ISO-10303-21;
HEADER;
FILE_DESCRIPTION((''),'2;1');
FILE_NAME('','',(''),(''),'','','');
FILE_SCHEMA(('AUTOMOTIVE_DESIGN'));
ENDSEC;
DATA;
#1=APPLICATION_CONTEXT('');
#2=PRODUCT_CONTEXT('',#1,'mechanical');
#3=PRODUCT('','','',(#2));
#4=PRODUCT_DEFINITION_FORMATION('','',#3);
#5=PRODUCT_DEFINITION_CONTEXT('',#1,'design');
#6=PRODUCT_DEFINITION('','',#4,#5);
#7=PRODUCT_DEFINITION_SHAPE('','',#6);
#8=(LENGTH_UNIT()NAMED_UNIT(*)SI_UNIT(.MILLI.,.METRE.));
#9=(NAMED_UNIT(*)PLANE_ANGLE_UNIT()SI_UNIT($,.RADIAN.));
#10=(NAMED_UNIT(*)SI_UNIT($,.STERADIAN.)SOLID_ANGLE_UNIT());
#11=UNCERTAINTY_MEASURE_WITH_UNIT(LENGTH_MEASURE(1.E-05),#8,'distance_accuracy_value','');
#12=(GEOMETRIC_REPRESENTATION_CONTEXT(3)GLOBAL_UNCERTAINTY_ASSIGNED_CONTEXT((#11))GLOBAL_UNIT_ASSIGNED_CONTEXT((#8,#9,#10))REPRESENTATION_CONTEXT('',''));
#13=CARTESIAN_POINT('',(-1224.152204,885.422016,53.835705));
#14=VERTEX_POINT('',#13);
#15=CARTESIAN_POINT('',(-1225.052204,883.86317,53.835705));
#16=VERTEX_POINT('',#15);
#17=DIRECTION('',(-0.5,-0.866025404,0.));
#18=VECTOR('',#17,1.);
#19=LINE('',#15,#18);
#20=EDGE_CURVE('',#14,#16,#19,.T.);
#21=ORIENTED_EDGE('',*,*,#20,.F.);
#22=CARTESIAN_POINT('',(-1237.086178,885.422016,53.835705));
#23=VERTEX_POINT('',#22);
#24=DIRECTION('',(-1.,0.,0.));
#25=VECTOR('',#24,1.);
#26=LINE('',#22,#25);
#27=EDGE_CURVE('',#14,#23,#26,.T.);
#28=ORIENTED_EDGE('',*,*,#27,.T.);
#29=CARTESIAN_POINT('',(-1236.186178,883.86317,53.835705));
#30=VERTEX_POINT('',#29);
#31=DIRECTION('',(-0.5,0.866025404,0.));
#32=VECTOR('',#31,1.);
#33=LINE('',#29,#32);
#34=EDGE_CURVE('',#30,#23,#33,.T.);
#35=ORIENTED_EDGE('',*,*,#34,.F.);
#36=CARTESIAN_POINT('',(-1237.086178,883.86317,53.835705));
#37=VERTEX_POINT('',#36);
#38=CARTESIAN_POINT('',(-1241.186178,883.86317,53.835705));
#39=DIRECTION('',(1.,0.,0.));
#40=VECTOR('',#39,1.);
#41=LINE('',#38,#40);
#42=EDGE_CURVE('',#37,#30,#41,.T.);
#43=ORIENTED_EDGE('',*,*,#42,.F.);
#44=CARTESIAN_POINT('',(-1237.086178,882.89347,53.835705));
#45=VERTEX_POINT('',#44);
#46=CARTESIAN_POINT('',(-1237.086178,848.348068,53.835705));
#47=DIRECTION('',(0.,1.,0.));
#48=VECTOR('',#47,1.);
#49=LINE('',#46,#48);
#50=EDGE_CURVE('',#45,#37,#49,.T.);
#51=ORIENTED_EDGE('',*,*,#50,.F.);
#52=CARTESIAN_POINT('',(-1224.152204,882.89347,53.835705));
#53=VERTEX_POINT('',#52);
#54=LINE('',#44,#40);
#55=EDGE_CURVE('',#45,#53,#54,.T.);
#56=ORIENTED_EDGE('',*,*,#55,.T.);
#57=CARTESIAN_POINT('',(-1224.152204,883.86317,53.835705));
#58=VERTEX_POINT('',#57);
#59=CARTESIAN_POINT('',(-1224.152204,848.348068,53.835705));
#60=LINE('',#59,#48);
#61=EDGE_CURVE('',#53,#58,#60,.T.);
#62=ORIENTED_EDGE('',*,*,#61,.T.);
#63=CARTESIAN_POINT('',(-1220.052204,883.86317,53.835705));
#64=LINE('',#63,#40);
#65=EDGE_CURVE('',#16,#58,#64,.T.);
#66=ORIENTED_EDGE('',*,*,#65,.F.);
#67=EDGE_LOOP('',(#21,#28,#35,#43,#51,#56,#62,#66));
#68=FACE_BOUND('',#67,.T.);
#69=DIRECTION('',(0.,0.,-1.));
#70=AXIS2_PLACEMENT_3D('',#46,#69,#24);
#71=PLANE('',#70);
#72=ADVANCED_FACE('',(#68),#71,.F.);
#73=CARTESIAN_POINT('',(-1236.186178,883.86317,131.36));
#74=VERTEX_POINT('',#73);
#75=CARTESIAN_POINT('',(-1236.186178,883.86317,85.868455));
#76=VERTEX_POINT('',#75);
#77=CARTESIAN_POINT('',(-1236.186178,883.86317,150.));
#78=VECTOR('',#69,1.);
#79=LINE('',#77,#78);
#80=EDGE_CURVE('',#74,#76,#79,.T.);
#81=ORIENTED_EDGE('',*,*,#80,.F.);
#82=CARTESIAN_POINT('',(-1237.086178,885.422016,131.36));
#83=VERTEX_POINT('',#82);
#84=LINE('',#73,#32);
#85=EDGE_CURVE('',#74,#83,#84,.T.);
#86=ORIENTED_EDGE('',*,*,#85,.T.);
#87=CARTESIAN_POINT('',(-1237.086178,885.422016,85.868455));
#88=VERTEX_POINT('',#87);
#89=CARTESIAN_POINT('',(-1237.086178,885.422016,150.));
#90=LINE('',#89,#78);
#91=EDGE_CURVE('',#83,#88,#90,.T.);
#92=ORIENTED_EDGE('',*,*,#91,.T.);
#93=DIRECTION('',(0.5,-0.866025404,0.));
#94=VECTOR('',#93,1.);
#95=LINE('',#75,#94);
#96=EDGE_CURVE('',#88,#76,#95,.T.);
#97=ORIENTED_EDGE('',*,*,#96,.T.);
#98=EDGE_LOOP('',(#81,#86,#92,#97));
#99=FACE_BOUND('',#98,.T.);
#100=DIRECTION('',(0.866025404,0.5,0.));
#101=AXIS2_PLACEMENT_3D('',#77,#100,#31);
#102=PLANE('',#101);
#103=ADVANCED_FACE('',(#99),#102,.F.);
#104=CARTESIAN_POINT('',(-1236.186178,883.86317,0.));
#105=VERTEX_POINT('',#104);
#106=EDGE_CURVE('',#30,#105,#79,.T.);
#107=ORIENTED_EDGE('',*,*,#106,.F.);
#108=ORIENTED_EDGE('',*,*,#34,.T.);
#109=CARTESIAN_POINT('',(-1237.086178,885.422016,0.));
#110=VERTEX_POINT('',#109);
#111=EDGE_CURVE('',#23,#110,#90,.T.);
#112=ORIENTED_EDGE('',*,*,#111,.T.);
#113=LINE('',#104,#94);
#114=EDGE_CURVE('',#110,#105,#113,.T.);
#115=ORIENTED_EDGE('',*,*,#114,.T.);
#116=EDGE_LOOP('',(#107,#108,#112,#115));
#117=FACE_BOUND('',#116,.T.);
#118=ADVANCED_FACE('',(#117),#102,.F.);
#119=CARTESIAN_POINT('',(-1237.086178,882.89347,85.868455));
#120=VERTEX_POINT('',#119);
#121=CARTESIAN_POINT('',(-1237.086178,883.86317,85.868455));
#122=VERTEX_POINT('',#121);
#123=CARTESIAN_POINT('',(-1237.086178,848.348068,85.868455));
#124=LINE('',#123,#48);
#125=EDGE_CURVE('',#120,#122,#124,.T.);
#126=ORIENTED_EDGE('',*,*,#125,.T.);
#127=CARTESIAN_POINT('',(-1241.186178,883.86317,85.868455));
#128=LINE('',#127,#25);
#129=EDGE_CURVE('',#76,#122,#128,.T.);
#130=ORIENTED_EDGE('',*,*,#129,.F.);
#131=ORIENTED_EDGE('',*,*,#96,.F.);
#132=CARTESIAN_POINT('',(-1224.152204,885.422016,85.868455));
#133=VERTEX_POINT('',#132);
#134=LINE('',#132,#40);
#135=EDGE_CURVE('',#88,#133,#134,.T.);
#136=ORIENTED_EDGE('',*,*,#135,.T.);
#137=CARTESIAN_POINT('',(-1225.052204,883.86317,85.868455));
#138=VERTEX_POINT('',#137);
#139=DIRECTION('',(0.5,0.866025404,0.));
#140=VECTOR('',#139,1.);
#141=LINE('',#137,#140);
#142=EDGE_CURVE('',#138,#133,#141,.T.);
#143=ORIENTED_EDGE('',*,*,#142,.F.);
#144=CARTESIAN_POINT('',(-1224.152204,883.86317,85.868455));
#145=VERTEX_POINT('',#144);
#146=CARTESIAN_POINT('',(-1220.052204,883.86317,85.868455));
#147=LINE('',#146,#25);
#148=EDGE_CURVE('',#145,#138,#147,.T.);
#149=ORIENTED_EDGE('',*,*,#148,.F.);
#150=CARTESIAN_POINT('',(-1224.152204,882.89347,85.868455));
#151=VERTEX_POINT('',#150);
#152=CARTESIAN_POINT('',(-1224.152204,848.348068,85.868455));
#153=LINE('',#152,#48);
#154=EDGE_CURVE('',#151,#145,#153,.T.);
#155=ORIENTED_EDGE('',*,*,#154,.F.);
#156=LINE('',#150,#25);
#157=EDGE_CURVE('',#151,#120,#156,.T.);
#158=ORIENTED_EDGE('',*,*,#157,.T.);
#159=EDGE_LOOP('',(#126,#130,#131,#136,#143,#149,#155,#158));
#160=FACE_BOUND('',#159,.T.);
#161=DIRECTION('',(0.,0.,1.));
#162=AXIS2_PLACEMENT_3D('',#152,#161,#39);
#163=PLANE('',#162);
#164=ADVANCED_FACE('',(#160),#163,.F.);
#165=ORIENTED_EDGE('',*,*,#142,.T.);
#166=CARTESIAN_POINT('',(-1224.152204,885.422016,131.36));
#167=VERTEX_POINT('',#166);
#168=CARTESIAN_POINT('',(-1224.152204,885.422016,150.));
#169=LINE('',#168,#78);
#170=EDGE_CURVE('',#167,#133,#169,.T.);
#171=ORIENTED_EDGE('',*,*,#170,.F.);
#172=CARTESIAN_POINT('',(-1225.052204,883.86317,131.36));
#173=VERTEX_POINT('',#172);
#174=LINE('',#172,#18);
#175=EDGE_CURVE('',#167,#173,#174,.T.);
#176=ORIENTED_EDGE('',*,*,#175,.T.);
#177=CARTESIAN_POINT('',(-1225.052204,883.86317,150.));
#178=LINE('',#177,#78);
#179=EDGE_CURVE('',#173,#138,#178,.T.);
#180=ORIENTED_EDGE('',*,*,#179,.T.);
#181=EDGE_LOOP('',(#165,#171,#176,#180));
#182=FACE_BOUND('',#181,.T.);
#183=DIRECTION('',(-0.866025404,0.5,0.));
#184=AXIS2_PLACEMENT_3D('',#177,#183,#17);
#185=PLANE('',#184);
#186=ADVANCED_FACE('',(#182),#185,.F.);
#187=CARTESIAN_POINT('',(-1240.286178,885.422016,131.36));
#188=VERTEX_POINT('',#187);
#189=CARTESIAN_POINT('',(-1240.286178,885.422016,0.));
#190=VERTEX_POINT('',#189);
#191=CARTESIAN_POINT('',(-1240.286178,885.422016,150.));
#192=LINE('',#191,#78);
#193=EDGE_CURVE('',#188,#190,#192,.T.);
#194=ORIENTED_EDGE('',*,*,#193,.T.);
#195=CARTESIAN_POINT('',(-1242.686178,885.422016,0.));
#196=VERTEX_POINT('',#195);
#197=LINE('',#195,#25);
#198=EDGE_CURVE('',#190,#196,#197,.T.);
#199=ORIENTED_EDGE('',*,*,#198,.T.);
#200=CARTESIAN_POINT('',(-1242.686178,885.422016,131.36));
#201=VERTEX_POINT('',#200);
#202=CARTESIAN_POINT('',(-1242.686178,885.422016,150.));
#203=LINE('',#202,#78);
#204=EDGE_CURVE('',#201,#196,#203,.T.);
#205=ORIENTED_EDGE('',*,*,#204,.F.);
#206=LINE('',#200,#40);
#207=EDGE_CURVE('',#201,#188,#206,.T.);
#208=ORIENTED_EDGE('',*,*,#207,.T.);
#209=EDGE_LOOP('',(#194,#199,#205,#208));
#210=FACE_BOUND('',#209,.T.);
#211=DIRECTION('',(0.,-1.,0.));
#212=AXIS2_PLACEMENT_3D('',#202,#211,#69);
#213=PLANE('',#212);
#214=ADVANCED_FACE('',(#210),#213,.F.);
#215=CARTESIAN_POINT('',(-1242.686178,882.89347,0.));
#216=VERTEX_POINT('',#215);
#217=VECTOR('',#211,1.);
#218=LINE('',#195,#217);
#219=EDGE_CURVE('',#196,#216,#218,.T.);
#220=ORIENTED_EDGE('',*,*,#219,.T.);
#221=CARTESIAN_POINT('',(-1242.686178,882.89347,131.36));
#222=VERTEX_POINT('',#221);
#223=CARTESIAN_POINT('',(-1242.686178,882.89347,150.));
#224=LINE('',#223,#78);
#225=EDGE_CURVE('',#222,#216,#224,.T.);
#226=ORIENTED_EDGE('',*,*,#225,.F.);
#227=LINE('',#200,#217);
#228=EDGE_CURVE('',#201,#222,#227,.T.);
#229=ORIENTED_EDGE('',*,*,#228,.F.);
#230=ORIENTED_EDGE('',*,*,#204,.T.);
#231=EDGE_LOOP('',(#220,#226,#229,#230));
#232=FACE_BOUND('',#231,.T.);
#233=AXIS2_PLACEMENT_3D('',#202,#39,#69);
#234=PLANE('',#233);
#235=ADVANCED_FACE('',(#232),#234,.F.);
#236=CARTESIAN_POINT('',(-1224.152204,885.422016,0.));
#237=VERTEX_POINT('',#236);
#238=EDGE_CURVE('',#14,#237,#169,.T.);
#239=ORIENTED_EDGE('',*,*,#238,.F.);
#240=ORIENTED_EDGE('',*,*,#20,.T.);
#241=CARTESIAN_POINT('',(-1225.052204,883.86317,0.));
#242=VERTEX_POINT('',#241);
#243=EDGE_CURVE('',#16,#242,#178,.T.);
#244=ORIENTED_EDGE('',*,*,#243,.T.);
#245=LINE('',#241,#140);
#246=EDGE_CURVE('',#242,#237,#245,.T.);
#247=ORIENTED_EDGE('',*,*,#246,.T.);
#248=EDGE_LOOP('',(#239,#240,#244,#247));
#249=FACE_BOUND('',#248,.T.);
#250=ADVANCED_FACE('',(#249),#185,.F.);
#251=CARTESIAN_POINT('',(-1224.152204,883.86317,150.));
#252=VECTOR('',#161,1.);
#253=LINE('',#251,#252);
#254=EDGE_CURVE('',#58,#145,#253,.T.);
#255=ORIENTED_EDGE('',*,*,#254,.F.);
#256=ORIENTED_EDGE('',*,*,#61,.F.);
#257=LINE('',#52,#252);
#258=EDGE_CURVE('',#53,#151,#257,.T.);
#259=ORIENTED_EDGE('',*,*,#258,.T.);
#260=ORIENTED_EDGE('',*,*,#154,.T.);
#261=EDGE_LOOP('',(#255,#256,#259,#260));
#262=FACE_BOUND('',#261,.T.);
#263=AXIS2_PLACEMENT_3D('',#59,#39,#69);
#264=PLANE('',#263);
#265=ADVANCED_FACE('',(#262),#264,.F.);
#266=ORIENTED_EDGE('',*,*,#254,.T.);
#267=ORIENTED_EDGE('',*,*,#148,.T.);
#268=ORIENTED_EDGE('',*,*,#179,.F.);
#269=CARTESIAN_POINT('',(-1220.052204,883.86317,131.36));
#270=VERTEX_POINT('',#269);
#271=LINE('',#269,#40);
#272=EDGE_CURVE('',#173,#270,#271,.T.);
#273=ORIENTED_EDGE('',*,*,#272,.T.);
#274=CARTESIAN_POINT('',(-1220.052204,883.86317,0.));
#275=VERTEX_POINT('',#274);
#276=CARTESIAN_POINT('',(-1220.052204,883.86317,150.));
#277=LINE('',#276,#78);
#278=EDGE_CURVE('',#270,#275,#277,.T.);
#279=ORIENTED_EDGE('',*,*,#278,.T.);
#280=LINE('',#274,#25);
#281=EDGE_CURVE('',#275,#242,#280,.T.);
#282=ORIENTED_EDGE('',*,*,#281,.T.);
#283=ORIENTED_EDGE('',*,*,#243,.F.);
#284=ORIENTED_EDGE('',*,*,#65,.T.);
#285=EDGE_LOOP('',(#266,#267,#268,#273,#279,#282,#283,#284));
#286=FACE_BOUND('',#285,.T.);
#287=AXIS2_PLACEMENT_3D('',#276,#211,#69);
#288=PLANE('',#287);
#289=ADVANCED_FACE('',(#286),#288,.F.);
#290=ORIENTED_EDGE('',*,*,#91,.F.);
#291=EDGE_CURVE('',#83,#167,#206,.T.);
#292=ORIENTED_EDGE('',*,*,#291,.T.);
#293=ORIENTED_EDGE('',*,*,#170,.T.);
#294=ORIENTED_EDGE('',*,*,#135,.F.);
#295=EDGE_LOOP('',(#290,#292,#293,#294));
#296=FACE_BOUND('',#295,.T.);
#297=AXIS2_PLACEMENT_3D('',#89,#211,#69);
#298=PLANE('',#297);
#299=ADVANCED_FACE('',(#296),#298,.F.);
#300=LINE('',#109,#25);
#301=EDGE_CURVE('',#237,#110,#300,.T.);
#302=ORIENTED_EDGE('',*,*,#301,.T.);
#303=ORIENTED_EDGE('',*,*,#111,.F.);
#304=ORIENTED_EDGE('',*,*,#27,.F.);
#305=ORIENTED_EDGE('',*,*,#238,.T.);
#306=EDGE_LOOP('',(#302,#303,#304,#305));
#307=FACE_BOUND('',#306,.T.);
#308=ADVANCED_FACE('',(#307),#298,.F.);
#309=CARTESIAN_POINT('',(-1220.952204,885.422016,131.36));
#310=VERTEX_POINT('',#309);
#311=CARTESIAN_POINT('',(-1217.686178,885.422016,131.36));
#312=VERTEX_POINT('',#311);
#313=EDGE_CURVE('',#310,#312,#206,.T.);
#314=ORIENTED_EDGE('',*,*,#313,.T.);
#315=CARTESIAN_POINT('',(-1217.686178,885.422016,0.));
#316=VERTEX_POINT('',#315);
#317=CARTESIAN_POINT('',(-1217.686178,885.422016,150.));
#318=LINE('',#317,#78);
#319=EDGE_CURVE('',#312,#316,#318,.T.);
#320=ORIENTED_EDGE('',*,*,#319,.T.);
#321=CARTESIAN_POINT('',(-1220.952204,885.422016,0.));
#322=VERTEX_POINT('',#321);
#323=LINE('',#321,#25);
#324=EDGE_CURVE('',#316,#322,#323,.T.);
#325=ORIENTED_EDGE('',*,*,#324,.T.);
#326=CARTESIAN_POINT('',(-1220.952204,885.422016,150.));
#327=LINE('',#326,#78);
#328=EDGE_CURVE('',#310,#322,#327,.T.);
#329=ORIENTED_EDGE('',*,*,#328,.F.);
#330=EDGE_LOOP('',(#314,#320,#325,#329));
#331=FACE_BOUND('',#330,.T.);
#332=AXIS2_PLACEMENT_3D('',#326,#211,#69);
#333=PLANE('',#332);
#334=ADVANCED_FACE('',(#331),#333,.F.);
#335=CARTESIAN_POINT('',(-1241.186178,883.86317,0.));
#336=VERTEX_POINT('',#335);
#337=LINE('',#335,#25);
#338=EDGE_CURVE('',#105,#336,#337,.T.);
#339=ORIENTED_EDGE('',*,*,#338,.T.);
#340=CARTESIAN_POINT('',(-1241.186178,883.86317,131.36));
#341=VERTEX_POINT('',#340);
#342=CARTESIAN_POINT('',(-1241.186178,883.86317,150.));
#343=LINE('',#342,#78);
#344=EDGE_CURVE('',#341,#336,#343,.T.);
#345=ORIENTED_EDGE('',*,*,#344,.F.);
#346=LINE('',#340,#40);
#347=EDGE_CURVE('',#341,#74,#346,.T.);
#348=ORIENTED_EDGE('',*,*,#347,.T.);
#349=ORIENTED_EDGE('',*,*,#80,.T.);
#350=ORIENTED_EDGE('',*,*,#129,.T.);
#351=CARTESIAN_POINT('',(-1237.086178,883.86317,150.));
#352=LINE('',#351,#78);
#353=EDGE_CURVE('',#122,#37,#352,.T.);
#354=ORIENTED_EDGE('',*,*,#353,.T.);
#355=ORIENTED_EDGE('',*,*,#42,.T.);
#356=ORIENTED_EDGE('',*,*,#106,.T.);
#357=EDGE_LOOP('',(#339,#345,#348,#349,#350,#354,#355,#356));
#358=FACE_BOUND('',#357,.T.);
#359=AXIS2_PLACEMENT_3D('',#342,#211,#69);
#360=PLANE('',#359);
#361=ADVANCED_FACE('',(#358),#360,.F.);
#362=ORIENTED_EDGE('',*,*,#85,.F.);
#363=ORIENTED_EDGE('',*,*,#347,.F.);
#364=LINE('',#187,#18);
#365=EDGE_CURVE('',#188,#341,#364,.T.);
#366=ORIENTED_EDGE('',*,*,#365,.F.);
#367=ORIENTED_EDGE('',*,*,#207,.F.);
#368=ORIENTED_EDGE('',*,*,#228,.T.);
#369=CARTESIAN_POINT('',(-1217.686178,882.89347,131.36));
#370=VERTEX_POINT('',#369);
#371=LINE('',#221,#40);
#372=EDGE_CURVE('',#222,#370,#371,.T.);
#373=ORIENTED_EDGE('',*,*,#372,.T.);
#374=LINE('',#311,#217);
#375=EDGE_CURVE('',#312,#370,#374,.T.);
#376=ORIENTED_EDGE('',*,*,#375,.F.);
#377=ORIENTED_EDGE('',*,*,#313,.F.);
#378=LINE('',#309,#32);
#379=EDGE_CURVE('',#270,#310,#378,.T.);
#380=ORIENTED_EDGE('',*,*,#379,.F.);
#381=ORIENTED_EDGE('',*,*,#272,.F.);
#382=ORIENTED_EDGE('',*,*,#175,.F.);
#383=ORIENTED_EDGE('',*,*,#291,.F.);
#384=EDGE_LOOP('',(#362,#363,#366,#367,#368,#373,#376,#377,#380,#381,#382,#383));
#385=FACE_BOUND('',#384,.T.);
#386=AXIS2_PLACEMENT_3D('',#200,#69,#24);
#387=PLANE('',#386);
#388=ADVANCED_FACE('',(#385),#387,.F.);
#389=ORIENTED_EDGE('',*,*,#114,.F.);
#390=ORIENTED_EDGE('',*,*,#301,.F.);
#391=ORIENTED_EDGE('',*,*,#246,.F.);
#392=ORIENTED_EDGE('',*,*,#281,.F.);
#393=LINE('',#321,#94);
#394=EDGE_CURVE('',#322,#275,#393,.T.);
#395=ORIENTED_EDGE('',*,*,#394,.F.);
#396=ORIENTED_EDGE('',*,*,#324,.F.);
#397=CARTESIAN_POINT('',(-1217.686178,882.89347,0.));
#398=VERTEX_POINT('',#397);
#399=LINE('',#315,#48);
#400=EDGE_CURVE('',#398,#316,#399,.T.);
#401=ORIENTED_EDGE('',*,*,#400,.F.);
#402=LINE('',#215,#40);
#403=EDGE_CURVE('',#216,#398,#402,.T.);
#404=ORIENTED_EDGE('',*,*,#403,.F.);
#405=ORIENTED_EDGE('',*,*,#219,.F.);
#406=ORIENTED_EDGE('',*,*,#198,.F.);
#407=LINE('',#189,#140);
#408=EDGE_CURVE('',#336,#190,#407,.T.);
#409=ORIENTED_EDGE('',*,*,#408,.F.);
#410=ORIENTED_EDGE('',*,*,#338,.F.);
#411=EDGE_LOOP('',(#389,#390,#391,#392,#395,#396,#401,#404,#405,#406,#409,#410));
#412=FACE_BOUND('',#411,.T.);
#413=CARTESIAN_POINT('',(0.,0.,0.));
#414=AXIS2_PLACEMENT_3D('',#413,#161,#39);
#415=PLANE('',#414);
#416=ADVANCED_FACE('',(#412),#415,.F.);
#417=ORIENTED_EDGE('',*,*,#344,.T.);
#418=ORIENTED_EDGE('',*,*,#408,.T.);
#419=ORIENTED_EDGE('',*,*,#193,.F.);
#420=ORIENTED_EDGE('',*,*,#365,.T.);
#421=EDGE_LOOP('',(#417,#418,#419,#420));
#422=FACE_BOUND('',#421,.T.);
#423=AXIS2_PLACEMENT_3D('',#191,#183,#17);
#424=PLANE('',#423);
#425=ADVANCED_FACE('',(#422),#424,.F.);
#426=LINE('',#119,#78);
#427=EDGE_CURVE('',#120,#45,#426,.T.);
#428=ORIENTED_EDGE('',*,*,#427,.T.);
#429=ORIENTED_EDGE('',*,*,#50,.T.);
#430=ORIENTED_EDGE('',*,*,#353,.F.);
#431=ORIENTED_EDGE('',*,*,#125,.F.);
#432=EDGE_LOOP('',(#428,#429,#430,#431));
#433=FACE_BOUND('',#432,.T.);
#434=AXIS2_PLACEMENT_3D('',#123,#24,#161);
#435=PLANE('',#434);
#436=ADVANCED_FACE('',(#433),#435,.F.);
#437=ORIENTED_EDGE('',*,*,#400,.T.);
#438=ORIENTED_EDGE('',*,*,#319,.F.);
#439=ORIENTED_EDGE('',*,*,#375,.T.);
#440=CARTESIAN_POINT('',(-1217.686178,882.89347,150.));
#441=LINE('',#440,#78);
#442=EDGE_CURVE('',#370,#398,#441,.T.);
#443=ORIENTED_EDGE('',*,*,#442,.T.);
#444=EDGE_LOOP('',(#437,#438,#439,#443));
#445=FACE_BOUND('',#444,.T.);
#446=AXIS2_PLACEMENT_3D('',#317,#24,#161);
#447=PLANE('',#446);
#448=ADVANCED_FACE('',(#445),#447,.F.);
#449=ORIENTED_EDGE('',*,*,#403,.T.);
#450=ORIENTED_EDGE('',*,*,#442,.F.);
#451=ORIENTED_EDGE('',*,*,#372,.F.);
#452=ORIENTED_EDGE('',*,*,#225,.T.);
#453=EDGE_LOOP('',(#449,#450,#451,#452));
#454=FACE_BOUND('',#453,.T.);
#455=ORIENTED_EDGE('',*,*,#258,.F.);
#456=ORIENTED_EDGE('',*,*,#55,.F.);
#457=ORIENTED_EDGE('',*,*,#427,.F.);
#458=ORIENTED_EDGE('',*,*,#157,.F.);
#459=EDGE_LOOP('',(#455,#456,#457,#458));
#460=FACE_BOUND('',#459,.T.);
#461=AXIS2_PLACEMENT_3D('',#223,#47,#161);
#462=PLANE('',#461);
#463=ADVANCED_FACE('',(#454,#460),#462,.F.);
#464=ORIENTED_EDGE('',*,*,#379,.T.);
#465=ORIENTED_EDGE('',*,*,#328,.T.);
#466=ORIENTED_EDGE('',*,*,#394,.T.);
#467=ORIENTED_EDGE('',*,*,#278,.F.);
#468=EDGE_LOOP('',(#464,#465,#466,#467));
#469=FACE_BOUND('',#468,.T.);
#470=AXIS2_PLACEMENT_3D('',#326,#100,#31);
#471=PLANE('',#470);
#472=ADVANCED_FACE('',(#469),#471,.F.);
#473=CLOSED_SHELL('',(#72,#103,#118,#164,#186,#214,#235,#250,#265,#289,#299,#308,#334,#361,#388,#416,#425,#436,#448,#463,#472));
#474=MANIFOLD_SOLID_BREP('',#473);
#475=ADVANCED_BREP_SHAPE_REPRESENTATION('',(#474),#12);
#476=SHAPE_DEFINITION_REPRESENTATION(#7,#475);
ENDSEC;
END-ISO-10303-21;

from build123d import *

# Parameters (mm, degrees)
BOSS_EXTRUDE1_DEPTH = 150
CUT_EXTRUDE4_REACH  = 1253.709
SKETCH5_W           = 12.933974596
SKETCH5_H           = 32.032750252
SKETCH7_W           = 25
SKETCH7_H           = 18.64
CUT_EXTRUDE5_DEPTH  = 1252.708964453


with BuildPart() as part:
    # Sketch1 → Boss-Extrude1 (new body)
    with BuildSketch(Plane.XY):
        Polygon((-1242.686178465, 885.422015852), (-1240.286178465, 885.422015852), (-1241.186178465, 883.863170125), (-1236.186178465, 883.863170125), (-1237.086178465, 885.422015852), (-1224.152203869, 885.422015852), (-1225.052203869, 883.863170125), (-1220.052203869, 883.863170125), (-1220.952203869, 885.422015852), (-1217.686178465, 885.422015852), (-1217.686178465, 882.893470027), (-1242.686178465, 882.893470027), align=None)
    extrude(amount=BOSS_EXTRUDE1_DEPTH)

    # Cut-Extrude4: up to this face of the body (flat: up to its plane)
    cut_extrude4_end = Plane(part.part.faces().sort_by_distance((-1230.186178465, 882.893470027, 75))[0])
    # Sketch5 → Cut-Extrude4 (cut, up to the picked face)
    with BuildSketch(Plane(origin=(0, 885.422015852, 0), x_dir=(1, 0, 0), z_dir=(0, 1, 0)), mode=Mode.PRIVATE) as cut_extrude4_sk1:
        with Locations((-1230.619191167, -69.852079699)):
            Rectangle(SKETCH5_W, SKETCH5_H)
    cut_extrude4_tool1 = split(extrude(cut_extrude4_sk1.sketch, amount=-CUT_EXTRUDE4_REACH, mode=Mode.PRIVATE), bisect_by=cut_extrude4_end, keep=Keep.BOTH, mode=Mode.PRIVATE)
    add(cut_extrude4_tool1.solids().sort_by(Axis((-1230.619191, 885.422016, 69.85208), (0, -1, 0)))[0], mode=Mode.SUBTRACT)

    # Sketch7 → Cut-Extrude5 (cut, through all)
    with BuildSketch(Plane(origin=(0, 882.893470027, 0), x_dir=(-1, 0, 0), z_dir=(0, -1, 0))):
        with Locations((1230.186178465, -140.68)):
            Rectangle(SKETCH7_W, SKETCH7_H)
    extrude(amount=-CUT_EXTRUDE5_DEPTH, mode=Mode.SUBTRACT)


solid = part.part
